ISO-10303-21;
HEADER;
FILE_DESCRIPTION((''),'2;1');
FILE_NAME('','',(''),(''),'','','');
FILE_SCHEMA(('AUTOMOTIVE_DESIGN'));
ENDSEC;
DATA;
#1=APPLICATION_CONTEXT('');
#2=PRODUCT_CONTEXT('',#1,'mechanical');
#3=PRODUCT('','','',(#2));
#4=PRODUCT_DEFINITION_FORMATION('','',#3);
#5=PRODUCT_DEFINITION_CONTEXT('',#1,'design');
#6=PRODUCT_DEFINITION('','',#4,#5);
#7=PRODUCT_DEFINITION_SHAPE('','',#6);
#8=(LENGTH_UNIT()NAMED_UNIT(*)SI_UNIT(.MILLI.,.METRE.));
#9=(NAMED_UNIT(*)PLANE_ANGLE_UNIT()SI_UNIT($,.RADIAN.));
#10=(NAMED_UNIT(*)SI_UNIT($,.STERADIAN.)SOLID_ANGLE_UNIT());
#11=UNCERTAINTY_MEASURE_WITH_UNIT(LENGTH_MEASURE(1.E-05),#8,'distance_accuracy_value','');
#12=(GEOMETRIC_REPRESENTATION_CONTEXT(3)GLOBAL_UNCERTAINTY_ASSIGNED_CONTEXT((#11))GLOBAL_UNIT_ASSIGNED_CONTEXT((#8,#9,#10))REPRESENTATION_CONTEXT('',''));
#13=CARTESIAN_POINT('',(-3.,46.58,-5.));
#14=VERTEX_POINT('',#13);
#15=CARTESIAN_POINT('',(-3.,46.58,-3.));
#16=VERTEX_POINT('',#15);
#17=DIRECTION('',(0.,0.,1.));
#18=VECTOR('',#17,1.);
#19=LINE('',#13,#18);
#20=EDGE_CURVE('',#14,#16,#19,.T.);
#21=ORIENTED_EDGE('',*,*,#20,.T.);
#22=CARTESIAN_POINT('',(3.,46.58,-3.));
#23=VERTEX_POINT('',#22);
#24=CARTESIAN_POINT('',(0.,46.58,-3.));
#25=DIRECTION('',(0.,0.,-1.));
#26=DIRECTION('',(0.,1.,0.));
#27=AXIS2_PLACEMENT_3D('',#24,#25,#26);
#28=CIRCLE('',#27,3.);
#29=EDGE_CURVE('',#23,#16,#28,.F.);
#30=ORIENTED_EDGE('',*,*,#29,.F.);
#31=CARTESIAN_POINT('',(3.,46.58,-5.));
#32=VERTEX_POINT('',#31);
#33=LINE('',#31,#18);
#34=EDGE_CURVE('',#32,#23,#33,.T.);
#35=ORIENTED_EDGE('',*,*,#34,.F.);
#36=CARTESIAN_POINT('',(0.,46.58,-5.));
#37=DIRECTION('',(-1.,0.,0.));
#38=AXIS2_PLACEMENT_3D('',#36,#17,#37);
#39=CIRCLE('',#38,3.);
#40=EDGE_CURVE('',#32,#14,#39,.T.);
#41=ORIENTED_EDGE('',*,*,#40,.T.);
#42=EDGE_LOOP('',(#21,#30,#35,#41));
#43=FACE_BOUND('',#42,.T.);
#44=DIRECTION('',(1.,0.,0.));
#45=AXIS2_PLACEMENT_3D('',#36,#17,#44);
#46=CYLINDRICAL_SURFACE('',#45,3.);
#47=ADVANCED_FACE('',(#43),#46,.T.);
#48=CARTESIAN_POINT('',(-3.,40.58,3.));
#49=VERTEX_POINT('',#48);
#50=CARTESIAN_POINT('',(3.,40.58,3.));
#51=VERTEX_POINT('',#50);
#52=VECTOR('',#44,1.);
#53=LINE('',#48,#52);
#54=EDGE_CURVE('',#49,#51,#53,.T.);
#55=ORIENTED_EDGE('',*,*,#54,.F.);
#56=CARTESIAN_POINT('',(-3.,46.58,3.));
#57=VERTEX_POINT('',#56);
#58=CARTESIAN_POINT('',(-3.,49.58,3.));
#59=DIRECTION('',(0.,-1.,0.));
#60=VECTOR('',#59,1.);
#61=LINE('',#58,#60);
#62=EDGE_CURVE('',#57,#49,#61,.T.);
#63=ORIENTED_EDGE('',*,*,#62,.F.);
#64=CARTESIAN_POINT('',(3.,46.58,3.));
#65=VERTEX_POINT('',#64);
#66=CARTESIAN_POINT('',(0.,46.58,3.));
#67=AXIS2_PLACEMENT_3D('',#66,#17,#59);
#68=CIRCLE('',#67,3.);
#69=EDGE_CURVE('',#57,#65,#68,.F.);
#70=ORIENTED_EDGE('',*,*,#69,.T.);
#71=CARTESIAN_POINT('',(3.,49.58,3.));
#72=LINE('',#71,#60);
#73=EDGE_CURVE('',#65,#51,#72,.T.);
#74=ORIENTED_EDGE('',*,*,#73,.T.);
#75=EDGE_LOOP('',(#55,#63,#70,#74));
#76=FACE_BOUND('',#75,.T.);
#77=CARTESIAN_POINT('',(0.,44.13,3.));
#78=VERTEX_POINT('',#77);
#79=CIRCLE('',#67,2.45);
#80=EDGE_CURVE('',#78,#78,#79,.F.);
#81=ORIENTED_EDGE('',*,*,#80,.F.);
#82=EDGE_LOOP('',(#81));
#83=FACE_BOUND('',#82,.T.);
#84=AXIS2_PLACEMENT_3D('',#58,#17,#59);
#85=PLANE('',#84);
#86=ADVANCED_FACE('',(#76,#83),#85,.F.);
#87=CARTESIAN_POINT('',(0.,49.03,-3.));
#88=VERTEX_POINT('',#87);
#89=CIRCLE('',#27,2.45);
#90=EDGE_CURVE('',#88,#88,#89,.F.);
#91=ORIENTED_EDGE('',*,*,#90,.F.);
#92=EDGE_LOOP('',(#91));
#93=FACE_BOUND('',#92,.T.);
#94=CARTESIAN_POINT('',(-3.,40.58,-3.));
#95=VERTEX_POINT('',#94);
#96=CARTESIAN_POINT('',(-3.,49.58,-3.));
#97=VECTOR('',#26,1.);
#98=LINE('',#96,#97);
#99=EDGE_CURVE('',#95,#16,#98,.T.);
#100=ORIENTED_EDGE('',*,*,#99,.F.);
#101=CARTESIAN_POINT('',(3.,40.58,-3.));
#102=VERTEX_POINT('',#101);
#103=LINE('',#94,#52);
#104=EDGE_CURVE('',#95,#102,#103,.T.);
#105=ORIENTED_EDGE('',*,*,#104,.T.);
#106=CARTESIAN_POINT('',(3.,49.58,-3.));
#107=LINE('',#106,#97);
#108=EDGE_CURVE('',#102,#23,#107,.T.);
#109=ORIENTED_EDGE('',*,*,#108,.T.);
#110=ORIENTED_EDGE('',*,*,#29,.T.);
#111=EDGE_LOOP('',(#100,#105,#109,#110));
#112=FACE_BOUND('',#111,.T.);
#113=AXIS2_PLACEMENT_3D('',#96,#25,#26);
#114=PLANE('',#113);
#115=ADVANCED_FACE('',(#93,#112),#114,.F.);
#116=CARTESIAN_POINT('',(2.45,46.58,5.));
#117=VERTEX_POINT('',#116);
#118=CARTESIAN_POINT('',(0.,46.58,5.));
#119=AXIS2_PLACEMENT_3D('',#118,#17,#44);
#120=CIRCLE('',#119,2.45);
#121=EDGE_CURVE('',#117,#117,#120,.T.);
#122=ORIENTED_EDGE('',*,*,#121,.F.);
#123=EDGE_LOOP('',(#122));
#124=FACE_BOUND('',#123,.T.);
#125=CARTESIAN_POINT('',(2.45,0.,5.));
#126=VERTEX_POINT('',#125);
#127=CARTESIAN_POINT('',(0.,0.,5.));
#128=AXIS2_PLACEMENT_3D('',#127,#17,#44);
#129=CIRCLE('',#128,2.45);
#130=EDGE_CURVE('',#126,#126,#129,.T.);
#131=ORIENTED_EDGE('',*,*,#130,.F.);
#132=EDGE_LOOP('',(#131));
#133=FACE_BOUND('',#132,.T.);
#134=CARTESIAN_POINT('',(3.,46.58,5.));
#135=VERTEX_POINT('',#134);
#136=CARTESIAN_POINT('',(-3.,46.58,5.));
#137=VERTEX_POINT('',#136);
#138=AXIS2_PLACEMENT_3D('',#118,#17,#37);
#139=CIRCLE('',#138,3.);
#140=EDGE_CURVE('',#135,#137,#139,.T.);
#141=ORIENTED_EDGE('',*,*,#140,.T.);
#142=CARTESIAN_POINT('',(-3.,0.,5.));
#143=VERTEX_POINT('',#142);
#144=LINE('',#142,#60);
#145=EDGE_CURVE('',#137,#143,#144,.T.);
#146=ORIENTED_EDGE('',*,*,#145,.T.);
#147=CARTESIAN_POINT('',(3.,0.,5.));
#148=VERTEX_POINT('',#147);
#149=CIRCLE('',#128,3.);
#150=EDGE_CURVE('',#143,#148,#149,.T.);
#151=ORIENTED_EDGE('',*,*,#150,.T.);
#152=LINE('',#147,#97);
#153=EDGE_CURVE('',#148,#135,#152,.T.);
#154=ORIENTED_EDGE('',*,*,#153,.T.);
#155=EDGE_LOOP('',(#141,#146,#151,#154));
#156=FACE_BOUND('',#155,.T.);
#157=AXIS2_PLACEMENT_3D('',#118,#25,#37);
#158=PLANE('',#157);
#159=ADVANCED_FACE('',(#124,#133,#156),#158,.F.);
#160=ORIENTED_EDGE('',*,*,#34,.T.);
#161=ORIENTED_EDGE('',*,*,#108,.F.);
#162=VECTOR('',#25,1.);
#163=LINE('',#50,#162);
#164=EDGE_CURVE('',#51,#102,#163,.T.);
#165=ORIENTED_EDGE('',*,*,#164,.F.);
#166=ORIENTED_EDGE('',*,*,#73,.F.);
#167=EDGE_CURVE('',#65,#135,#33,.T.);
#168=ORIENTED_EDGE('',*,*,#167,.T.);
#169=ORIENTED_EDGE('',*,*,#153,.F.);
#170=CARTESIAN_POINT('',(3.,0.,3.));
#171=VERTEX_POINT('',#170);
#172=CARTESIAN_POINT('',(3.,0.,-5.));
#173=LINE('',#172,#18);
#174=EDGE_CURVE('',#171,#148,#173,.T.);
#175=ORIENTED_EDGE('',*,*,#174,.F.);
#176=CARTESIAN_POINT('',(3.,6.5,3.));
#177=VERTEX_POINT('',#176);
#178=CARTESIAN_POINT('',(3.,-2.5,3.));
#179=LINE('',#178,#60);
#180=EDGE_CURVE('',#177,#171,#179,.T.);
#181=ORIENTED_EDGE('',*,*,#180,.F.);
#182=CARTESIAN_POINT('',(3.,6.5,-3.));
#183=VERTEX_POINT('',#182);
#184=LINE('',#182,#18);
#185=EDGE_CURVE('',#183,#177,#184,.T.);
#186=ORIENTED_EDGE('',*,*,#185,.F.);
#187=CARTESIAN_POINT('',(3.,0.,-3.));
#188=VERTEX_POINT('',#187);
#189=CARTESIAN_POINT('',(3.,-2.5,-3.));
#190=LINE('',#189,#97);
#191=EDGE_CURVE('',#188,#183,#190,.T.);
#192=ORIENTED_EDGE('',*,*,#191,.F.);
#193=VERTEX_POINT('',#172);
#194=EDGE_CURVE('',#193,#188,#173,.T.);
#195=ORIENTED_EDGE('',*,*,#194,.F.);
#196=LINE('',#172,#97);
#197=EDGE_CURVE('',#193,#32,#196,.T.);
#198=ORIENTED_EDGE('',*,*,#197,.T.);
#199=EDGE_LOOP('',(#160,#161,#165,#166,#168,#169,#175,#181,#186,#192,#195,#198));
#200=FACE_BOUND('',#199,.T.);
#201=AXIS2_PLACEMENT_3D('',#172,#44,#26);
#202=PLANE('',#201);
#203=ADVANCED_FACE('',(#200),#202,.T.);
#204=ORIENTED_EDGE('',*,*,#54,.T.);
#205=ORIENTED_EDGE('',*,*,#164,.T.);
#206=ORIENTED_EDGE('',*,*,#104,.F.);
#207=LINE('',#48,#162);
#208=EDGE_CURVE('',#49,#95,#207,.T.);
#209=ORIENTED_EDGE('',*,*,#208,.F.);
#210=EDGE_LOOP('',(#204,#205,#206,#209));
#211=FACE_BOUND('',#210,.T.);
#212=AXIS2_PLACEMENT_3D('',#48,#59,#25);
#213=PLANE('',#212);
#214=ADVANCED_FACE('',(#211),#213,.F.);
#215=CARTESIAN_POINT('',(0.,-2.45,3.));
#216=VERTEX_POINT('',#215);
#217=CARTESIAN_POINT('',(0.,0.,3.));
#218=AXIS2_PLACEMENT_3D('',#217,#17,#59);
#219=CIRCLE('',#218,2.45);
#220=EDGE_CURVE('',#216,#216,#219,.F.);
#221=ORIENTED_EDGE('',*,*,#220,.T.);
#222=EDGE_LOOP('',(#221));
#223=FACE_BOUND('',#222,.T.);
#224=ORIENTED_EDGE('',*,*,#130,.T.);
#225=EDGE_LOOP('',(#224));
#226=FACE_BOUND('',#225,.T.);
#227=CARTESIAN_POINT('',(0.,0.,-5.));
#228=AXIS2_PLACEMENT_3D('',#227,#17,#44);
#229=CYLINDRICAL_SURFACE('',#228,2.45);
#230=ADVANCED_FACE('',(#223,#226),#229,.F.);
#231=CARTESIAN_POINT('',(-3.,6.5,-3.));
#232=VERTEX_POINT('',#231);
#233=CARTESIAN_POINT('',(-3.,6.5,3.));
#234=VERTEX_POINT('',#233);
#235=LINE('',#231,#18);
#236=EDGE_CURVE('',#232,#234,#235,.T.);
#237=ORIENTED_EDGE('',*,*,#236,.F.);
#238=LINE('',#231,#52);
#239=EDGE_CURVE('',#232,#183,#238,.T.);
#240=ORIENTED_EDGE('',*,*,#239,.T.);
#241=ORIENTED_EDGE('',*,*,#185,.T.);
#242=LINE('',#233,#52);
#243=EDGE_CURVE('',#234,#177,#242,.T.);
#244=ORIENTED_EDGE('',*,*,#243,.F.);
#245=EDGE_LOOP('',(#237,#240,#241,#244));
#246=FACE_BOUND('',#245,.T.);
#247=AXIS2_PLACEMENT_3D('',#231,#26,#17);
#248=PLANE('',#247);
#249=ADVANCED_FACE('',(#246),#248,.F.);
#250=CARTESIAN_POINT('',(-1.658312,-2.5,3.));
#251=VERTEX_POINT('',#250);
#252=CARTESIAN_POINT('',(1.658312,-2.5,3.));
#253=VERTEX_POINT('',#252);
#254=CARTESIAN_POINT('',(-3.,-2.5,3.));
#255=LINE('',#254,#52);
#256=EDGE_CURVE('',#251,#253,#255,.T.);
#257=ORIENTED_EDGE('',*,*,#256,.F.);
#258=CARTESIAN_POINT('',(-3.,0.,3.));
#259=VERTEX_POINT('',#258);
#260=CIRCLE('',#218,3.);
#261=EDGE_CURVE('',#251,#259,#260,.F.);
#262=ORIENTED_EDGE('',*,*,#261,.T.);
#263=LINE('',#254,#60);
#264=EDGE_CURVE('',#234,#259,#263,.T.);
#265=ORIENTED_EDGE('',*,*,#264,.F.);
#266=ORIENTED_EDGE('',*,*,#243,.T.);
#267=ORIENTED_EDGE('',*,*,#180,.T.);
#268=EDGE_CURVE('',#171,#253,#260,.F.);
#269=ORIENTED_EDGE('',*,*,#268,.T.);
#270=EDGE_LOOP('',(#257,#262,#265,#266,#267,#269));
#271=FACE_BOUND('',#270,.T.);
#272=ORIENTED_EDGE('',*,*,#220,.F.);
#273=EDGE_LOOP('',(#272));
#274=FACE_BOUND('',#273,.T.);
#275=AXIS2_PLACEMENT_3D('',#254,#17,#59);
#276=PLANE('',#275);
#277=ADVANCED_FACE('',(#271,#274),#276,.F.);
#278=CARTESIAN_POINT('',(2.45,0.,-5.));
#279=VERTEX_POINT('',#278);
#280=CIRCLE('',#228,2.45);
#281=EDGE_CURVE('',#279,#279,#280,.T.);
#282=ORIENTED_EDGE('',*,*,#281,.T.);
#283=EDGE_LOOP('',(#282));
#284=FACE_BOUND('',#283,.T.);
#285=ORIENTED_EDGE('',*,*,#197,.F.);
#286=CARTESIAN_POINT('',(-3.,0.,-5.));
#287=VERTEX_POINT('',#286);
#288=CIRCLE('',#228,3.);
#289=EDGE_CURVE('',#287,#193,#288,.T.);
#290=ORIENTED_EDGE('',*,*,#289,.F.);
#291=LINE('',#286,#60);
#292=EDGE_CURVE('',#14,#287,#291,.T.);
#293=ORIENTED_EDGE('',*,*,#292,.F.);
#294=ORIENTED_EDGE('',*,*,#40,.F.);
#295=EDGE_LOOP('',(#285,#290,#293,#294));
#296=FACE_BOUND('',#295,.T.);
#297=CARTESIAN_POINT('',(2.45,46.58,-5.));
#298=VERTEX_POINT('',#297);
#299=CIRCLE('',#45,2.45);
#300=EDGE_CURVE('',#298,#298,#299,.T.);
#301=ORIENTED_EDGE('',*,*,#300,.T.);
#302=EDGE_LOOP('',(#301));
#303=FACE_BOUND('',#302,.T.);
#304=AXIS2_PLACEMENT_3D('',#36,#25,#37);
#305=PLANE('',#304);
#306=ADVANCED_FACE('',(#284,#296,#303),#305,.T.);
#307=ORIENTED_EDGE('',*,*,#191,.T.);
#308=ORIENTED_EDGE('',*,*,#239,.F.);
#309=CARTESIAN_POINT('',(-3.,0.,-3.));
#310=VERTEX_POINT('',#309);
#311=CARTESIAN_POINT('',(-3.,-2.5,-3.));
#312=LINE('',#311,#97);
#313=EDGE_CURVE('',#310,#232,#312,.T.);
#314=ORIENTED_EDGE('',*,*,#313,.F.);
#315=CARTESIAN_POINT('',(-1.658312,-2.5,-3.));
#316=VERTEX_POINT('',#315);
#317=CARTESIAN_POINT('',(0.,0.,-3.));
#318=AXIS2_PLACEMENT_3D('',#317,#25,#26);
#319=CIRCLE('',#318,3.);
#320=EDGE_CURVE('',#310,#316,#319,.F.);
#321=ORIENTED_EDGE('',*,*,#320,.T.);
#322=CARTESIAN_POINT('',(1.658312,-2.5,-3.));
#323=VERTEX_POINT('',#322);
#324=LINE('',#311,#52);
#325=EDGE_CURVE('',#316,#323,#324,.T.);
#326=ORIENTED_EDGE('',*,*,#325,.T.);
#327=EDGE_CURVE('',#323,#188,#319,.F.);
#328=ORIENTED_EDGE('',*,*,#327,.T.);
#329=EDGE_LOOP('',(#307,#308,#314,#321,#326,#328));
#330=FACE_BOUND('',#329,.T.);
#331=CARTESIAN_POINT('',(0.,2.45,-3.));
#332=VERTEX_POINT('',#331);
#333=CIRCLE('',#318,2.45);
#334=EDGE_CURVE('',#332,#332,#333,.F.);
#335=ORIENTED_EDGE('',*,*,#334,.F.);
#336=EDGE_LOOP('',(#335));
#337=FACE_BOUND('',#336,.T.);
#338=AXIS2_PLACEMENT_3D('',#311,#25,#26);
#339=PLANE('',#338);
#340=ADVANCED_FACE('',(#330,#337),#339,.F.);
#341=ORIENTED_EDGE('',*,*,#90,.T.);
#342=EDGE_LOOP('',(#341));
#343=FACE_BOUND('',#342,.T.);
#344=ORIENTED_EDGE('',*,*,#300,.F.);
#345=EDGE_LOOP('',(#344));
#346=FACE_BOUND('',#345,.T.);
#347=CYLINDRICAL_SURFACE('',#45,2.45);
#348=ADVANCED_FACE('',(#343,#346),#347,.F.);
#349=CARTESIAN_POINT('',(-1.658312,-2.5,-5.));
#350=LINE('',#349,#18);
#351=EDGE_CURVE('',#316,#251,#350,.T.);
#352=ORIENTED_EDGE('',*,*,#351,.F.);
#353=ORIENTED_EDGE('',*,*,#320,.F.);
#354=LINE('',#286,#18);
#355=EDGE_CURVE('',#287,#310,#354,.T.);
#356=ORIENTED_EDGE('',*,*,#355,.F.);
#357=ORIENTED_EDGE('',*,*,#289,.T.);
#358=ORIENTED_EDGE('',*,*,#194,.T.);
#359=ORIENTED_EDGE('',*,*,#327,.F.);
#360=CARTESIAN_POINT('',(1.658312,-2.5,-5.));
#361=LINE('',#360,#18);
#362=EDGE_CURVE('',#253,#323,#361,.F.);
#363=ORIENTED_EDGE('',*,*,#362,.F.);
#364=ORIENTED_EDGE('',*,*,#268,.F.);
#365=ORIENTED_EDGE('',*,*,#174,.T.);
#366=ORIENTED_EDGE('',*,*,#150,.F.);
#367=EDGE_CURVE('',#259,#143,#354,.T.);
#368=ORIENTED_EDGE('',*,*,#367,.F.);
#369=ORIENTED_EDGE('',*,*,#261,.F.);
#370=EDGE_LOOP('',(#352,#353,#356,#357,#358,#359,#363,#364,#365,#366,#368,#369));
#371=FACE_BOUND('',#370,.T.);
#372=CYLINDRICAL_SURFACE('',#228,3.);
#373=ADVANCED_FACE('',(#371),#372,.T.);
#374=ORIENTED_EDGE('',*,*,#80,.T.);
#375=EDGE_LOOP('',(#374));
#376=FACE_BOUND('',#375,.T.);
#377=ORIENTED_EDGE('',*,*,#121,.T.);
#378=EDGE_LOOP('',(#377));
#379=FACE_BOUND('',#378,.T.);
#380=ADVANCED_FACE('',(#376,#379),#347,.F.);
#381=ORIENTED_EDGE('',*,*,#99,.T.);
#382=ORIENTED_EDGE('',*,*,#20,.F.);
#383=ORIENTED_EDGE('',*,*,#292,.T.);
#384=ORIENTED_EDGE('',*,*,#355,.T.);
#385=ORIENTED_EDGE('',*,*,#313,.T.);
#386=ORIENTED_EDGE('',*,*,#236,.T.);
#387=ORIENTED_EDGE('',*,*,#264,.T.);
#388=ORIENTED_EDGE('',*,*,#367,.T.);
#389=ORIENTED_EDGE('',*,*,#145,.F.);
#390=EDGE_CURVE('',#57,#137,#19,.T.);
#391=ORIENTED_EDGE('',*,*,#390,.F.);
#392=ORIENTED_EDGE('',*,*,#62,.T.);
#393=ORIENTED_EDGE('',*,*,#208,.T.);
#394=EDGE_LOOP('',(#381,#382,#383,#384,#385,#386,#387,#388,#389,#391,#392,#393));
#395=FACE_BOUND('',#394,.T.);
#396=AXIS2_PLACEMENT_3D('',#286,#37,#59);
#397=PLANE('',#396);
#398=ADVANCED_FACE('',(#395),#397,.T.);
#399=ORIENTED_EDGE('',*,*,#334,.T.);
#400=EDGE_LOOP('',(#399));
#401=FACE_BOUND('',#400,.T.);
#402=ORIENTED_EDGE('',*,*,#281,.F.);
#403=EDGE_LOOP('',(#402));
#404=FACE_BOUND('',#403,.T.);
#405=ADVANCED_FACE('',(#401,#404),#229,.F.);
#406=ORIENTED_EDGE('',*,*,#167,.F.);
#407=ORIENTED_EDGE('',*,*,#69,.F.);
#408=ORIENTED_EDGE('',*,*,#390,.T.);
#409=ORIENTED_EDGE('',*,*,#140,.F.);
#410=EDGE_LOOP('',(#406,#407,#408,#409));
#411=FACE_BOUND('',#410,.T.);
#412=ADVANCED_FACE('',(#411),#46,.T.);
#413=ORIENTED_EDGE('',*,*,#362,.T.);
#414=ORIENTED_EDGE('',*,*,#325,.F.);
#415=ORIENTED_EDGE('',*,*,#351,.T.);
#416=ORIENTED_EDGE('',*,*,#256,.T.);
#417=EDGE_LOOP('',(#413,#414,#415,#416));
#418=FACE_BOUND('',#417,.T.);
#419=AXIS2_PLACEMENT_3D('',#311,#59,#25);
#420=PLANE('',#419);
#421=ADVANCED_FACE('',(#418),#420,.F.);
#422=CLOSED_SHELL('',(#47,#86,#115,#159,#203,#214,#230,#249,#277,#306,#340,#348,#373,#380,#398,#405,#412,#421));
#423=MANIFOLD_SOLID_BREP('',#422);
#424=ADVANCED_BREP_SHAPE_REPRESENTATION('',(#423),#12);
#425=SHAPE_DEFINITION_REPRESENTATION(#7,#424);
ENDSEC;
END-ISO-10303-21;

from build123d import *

# Parameters (mm, degrees)
ESTRUSIONE_ESTRUSIONE1_DEPTH      = 5
ESTRUSIONE_ESTRUSIONE1_DEPTH_BACK = 5
SCHIZZO1_R                        = 2.45
TAGLIO_ESTRUSIONE1_DEPTH          = 50.921702695
TAGLIO_ESTRUSIONE1_DEPTH_BACK     = 50.921702695
SCHIZZO2_W                        = 6
SCHIZZO2_H                        = 9


with BuildPart() as part:
    # Schizzo1 → Estrusione-Estrusione1 (new, two sides: drawn at the far end of the back side and taken through both)
    with BuildSketch(Plane.XY.offset(-ESTRUSIONE_ESTRUSIONE1_DEPTH_BACK)):
        with BuildLine():
            Line((-3, 0), (-3, 46.58))
            ThreePointArc((-3, 46.58), (0, 49.58), (3, 46.58))
            Line((3, 46.58), (3, 0))
            ThreePointArc((3, 0), (0, -3), (-3, 0))
        make_face()
        Circle(SCHIZZO1_R, mode=Mode.SUBTRACT)
        with Locations((0, 46.58)):
            Circle(SCHIZZO1_R, mode=Mode.SUBTRACT)
    extrude(amount=ESTRUSIONE_ESTRUSIONE1_DEPTH + ESTRUSIONE_ESTRUSIONE1_DEPTH_BACK)

    # Schizzo2 → Taglio-Estrusione1 (cut, two sides: drawn at the far end of the back side and taken through both)
    with BuildSketch(Plane(origin=(0, 0, 0), x_dir=(0, 0, -1), z_dir=(1, 0, 0)).offset(-TAGLIO_ESTRUSIONE1_DEPTH_BACK)):
        with Locations((0, 45.08)):
            Rectangle(SCHIZZO2_W, SCHIZZO2_H)
        with Locations((0, 2)):
            Rectangle(SCHIZZO2_W, SCHIZZO2_H)
    extrude(amount=TAGLIO_ESTRUSIONE1_DEPTH + TAGLIO_ESTRUSIONE1_DEPTH_BACK, mode=Mode.SUBTRACT)


solid = part.part
